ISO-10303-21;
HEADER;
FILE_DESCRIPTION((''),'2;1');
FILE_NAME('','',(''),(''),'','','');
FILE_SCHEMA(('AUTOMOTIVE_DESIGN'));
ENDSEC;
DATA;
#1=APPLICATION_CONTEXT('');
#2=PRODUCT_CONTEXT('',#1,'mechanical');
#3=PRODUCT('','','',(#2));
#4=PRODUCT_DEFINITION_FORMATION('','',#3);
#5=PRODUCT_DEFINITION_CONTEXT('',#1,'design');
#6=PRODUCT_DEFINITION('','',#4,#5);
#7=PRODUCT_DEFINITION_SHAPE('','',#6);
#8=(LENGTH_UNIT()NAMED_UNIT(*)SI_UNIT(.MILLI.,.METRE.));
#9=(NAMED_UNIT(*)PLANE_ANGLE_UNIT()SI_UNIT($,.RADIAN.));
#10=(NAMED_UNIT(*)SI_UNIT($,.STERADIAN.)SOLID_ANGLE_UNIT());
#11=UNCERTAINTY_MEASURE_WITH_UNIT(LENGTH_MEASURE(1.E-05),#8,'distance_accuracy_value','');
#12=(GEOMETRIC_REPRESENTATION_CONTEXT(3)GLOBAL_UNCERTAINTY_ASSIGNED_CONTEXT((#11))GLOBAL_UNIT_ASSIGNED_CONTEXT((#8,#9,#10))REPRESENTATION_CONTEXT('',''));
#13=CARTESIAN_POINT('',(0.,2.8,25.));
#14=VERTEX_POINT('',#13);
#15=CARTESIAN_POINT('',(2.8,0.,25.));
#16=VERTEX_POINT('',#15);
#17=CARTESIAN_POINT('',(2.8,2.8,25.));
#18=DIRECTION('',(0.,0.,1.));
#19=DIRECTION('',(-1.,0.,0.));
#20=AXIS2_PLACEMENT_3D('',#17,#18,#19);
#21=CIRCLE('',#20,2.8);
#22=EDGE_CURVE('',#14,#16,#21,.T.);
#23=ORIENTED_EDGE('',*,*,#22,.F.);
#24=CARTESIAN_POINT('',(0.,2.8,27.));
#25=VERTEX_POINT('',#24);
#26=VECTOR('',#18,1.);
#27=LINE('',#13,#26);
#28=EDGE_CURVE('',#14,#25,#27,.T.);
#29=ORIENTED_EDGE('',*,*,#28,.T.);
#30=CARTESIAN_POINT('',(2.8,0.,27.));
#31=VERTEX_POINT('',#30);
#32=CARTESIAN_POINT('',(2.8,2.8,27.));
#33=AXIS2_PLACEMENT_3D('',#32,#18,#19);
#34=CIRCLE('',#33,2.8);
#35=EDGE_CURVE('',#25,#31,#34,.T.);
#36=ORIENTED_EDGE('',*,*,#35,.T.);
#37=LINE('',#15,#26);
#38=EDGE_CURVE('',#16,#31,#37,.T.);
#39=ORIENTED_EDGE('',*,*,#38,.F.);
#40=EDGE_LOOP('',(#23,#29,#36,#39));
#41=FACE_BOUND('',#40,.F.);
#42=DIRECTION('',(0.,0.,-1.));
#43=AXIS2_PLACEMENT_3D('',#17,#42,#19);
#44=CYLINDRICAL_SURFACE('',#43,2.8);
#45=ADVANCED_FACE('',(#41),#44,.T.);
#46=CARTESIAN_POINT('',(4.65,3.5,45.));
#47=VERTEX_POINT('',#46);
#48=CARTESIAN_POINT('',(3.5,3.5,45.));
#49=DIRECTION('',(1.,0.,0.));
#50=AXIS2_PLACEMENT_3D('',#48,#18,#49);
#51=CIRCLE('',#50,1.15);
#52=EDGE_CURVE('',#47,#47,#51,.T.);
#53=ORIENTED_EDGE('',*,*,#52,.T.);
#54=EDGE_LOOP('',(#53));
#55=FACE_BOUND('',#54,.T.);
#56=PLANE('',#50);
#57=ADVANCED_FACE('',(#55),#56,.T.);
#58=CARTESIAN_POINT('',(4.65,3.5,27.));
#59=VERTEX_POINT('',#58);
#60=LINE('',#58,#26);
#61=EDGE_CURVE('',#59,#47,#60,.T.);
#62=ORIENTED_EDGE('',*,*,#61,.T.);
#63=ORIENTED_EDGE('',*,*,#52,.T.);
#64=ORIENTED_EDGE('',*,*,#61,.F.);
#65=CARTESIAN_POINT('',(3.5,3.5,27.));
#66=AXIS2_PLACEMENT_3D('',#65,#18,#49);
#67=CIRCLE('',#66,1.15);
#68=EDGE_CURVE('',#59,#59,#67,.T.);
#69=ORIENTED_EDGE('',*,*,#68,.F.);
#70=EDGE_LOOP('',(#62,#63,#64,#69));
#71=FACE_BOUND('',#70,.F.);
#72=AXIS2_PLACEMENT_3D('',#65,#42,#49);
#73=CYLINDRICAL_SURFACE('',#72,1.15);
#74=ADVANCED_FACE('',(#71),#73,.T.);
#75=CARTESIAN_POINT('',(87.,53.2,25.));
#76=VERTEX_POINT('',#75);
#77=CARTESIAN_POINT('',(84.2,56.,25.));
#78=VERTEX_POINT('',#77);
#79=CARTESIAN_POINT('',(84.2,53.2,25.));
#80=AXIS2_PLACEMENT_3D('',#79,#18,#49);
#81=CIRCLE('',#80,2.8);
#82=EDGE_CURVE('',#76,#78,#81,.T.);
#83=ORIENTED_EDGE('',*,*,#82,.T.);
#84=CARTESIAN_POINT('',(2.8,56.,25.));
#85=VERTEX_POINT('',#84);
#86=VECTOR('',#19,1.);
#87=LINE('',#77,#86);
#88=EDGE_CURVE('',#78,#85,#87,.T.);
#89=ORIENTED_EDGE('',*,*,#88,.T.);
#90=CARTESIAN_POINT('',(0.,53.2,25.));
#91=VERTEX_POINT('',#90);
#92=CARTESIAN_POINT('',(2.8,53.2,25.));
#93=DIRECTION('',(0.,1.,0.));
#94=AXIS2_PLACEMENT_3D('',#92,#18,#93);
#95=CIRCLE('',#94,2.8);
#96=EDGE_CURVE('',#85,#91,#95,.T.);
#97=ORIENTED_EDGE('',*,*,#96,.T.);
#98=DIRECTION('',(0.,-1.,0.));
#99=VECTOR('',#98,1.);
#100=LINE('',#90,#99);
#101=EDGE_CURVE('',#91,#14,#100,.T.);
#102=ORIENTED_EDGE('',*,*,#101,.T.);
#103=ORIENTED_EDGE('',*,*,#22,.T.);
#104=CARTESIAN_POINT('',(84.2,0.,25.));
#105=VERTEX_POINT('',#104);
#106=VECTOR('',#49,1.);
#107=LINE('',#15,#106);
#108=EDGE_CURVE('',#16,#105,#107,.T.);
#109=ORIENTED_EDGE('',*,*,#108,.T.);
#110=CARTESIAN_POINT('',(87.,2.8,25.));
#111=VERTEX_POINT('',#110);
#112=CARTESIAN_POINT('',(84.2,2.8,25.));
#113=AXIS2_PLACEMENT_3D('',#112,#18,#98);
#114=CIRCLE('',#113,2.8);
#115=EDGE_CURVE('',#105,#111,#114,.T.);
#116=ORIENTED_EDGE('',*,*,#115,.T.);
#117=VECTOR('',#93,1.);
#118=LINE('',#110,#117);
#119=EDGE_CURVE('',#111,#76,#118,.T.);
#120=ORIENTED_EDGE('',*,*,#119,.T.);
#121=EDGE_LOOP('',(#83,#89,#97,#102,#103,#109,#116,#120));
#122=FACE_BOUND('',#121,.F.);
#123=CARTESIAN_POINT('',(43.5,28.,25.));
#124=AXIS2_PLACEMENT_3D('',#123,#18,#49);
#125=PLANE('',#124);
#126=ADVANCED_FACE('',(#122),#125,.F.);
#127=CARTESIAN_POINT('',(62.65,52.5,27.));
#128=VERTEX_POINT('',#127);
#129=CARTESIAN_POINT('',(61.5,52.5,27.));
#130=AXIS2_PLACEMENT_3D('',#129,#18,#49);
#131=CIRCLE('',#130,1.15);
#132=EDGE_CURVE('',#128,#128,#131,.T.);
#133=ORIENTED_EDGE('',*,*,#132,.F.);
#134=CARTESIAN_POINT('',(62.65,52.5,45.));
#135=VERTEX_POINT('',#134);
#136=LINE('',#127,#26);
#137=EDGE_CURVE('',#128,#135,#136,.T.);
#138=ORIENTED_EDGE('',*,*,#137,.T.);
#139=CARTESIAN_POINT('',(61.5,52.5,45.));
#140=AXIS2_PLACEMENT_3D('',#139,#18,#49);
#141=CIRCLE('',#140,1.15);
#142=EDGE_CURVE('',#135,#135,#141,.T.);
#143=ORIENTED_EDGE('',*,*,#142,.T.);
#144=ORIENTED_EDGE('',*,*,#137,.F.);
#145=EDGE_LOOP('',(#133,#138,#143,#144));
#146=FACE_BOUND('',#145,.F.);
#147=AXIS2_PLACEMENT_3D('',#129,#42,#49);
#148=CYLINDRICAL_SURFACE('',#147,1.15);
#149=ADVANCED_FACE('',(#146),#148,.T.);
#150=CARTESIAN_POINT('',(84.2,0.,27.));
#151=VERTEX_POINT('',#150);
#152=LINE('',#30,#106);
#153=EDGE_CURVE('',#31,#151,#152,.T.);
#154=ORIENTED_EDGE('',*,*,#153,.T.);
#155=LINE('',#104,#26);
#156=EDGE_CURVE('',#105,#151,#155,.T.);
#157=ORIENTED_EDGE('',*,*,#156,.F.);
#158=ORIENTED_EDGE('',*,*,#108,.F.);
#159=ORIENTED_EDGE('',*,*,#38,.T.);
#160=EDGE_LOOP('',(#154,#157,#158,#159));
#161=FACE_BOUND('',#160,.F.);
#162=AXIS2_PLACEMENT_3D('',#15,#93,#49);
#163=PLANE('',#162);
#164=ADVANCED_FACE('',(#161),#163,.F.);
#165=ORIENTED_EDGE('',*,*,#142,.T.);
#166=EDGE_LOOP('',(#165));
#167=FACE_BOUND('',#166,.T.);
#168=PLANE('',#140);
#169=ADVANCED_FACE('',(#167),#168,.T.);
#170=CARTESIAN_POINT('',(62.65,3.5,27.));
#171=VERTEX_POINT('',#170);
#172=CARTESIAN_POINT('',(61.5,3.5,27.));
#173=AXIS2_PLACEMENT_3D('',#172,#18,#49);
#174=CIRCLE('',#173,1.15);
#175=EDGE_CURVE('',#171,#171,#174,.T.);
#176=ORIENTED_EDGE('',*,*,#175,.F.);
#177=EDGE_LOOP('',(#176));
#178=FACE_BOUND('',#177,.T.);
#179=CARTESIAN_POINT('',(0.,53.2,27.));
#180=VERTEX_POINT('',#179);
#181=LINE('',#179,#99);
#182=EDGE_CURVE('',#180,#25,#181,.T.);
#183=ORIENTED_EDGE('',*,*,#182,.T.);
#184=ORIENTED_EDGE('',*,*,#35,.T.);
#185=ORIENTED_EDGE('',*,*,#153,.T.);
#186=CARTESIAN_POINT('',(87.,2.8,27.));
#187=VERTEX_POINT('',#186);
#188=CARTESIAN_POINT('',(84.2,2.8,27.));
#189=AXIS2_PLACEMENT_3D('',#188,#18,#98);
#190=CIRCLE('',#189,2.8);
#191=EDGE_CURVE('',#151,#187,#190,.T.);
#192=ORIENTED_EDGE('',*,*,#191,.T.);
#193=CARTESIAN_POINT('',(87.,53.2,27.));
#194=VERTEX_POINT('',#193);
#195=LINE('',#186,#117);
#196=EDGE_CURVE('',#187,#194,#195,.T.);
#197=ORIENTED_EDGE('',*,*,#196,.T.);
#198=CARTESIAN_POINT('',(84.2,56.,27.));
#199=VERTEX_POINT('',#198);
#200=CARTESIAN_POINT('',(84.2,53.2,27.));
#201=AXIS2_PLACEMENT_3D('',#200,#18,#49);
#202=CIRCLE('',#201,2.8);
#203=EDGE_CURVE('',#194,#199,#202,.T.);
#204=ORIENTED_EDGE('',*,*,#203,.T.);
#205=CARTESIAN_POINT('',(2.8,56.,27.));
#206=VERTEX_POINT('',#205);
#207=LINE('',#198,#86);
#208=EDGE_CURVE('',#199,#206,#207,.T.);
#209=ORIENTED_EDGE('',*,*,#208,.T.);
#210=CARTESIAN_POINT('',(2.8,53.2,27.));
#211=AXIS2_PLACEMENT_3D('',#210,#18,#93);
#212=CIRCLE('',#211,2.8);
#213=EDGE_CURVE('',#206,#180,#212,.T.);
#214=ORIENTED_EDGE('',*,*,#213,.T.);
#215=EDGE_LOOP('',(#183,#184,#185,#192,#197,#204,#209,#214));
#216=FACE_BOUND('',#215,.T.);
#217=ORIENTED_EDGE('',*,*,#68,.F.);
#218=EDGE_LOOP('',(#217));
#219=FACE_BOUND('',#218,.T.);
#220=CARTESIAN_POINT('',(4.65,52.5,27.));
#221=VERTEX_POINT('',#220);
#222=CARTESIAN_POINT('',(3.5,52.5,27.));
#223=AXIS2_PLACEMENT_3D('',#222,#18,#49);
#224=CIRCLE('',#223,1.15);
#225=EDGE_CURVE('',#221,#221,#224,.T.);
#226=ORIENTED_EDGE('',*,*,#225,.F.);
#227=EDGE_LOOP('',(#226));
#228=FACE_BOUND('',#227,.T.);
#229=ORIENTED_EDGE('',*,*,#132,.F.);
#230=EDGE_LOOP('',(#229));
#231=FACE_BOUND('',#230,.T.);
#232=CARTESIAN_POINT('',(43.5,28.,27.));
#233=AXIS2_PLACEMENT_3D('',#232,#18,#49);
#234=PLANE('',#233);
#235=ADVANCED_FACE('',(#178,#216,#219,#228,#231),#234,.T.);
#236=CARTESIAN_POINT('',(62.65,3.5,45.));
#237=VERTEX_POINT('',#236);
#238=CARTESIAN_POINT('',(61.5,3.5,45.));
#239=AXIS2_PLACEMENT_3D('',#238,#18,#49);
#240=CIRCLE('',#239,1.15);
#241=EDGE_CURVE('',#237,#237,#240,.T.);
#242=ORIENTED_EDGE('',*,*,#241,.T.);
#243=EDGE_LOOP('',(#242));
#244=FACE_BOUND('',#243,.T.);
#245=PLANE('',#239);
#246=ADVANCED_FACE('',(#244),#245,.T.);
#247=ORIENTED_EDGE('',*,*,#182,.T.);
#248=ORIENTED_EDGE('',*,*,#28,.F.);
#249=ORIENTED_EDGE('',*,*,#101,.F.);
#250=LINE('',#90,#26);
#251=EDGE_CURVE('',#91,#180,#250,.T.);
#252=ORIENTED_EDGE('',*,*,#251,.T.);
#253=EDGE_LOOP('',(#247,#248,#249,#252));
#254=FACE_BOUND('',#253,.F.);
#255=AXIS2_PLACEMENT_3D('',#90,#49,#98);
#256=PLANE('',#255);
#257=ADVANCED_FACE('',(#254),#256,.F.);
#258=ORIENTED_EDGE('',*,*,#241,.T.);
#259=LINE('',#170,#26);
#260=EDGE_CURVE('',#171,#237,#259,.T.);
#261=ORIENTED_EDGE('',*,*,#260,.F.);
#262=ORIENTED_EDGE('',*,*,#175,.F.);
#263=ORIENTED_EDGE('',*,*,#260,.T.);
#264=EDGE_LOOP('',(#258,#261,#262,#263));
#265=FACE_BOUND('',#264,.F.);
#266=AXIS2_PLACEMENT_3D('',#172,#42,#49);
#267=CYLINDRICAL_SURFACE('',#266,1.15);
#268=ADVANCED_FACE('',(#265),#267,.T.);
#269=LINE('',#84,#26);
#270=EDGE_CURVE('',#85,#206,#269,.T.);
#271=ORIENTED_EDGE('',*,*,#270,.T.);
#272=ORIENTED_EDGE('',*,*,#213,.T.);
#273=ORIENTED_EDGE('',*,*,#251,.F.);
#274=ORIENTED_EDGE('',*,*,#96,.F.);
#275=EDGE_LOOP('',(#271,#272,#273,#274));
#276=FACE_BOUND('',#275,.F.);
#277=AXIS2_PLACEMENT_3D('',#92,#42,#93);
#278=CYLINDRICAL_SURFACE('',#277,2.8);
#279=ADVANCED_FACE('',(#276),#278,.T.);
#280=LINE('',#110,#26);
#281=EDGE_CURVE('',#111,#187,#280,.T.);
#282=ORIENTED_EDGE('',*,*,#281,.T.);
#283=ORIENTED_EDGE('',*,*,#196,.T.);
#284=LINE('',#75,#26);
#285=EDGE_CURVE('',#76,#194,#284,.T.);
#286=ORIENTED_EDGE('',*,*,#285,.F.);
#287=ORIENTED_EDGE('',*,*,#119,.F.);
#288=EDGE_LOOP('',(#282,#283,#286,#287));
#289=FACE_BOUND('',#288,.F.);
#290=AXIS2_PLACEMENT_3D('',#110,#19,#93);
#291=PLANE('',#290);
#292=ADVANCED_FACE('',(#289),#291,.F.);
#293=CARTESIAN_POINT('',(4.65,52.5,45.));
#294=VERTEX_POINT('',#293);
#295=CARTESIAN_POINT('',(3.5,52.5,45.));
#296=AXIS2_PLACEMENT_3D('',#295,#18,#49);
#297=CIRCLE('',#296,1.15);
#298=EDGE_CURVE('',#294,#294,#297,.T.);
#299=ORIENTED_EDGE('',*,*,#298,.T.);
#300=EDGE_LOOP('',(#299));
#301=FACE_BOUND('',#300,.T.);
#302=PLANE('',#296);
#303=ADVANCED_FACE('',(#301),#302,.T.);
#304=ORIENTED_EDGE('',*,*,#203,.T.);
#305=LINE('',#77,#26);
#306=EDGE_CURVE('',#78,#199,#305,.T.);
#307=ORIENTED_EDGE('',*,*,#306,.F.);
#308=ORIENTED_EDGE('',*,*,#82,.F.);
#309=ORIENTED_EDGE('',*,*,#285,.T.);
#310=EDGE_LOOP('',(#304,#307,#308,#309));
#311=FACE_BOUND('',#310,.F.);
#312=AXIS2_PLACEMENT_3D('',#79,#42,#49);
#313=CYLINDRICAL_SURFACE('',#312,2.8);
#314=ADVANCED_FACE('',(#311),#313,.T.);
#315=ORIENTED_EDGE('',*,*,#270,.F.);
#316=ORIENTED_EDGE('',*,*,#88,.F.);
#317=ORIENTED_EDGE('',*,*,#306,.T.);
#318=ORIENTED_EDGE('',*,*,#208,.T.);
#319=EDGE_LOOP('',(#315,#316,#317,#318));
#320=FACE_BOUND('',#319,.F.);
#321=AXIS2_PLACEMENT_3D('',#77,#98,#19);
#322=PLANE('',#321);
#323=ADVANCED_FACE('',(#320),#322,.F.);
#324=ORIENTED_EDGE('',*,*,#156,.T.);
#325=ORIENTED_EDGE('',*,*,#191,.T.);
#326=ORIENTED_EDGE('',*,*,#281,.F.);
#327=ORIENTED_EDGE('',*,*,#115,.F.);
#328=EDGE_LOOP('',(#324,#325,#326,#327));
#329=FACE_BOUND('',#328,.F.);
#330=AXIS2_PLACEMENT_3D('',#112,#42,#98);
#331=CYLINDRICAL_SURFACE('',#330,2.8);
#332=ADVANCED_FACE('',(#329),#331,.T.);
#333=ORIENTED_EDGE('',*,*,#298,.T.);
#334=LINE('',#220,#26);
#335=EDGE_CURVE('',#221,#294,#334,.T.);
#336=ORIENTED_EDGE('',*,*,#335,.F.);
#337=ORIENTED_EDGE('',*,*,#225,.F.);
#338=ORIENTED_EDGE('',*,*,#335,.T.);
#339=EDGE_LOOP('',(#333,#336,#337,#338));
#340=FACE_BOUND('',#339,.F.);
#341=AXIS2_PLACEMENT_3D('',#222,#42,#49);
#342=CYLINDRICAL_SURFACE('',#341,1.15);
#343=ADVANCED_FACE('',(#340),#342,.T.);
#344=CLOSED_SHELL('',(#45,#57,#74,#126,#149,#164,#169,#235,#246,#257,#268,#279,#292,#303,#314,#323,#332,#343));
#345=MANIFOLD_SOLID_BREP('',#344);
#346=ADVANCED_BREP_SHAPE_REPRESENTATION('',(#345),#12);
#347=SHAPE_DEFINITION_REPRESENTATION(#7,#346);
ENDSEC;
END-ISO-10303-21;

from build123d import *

# Parameters (mm, degrees)
F0_R     = 1.15
F1_DEPTH = 2
F2_DEPTH = 105
F4_R     = 2.75
F4_R_2   = 1.75
F5_DEPTH = 2
F6_DEPTH = 2
F8_R     = 1.15
F9_DEPTH = 18


with BuildPart() as f1:
    # F0 (on Top) → F1 (new body)
    with BuildSketch(Plane.XY):
        with BuildLine():
            ThreePointArc((0, 2.8), (0.8201010127, 0.8201010127), (2.8, 0))
            Line((2.8, 0), (84.2, 0))
            ThreePointArc((84.2, 0), (86.1798989873, 0.8201010127), (87, 2.8))
            Line((87, 2.8), (87, 53.2))
            ThreePointArc((87, 53.2), (86.1798989873, 55.1798989873), (84.2, 56))
            Line((84.2, 56), (2.8, 56))
            ThreePointArc((2.8, 56), (0.8201010127, 55.1798989873), (0, 53.2))
            Line((0, 53.2), (0, 2.8))
        make_face()
        with Locations((3.5, 3.5)):
            Circle(F0_R, mode=Mode.SUBTRACT)
        with Locations((61.5, 3.5)):
            Circle(F0_R, mode=Mode.SUBTRACT)
        with Locations((3.5, 52.5)):
            Circle(F0_R, mode=Mode.SUBTRACT)
        with Locations((61.5, 52.5)):
            Circle(F0_R, mode=Mode.SUBTRACT)
        with Locations((3.5, 3.5)):
            Circle(F0_R)
        with Locations((61.5, 52.5)):
            Circle(F0_R)
        with Locations((61.5, 3.5)):
            Circle(F0_R)
        with Locations((3.5, 52.5)):
            Circle(F0_R)
    extrude(amount=F1_DEPTH)

    # F0 (on Top) → F2 (join)
    with BuildSketch(Plane.XY):
        with Locations((61.5, 3.5)):
            Circle(F0_R)
        with Locations((61.5, 52.5)):
            Circle(F0_R)
        with Locations((3.5, 52.5)):
            Circle(F0_R)
        with Locations((3.5, 3.5)):
            Circle(F0_R)
    extrude(amount=F2_DEPTH)


with BuildPart() as f5:
    # F4 (on offset) → F5 (new body)
    with BuildSketch(Plane.XY.offset(25)):
        with BuildLine():
            Line((84.2, 56), (2.8, 56))
            ThreePointArc((2.8, 56), (0.8201010127, 55.1798989873), (0, 53.2))
            Line((0, 53.2), (0, 2.8))
            ThreePointArc((0, 2.8), (0.8201010127, 0.8201010127), (2.8, 0))
            Line((2.8, 0), (84.2, 0))
            ThreePointArc((84.2, 0), (86.1798989873, 0.8201010127), (87, 2.8))
            Line((87, 2.8), (87, 53.2))
            ThreePointArc((87, 53.2), (86.1798989873, 55.1798989873), (84.2, 56))
        make_face()
        with Locations((3.5, 3.5)):
            Circle(F4_R, mode=Mode.SUBTRACT)
        with Locations((61.5, 3.5)):
            Circle(F4_R, mode=Mode.SUBTRACT)
        with Locations((3.5, 52.5)):
            Circle(F4_R, mode=Mode.SUBTRACT)
        with Locations((61.5, 52.5)):
            Circle(F4_R, mode=Mode.SUBTRACT)
        with Locations((3.5, 3.5)):
            Circle(F4_R)
        with Locations((3.5, 3.5)):
            Circle(F4_R_2, mode=Mode.SUBTRACT)
        with Locations((61.5, 3.5)):
            Circle(F4_R)
        with Locations((61.5, 3.5)):
            Circle(F4_R_2, mode=Mode.SUBTRACT)
        with Locations((61.5, 52.5)):
            Circle(F4_R)
        with Locations((61.5, 52.5)):
            Circle(F4_R_2, mode=Mode.SUBTRACT)
        with Locations((3.5, 52.5)):
            Circle(F4_R)
        with Locations((3.5, 52.5)):
            Circle(F4_R_2, mode=Mode.SUBTRACT)
        with Locations((3.5, 3.5)):
            Circle(F4_R_2)
        with Locations((61.5, 3.5)):
            Circle(F4_R_2)
        with Locations((61.5, 52.5)):
            Circle(F4_R_2)
        with Locations((3.5, 52.5)):
            Circle(F4_R_2)
    extrude(amount=F5_DEPTH)

    # F4 (on offset) → F6 (join, through all)
    with BuildSketch(Plane.XY.offset(25)):
        with Locations((3.5, 3.5)):
            Circle(F4_R)
        with Locations((3.5, 3.5)):
            Circle(F4_R_2, mode=Mode.SUBTRACT)
        with Locations((3.5, 52.5)):
            Circle(F4_R)
        with Locations((3.5, 52.5)):
            Circle(F4_R_2, mode=Mode.SUBTRACT)
        with Locations((61.5, 52.5)):
            Circle(F4_R)
        with Locations((61.5, 52.5)):
            Circle(F4_R_2, mode=Mode.SUBTRACT)
        with Locations((61.5, 3.5)):
            Circle(F4_R)
        with Locations((61.5, 3.5)):
            Circle(F4_R_2, mode=Mode.SUBTRACT)
    extrude(amount=F6_DEPTH)

    # F8 (on face) → F9 (join)
    with BuildSketch(Plane.XY.offset(27)):
        with Locations((3.5, 52.5)):
            Circle(F8_R)
        with Locations((61.5, 52.5)):
            Circle(F8_R)
        with Locations((61.5, 3.5)):
            Circle(F8_R)
        with Locations((3.5, 3.5)):
            Circle(F8_R)
    extrude(amount=F9_DEPTH)


solid = f5.part
